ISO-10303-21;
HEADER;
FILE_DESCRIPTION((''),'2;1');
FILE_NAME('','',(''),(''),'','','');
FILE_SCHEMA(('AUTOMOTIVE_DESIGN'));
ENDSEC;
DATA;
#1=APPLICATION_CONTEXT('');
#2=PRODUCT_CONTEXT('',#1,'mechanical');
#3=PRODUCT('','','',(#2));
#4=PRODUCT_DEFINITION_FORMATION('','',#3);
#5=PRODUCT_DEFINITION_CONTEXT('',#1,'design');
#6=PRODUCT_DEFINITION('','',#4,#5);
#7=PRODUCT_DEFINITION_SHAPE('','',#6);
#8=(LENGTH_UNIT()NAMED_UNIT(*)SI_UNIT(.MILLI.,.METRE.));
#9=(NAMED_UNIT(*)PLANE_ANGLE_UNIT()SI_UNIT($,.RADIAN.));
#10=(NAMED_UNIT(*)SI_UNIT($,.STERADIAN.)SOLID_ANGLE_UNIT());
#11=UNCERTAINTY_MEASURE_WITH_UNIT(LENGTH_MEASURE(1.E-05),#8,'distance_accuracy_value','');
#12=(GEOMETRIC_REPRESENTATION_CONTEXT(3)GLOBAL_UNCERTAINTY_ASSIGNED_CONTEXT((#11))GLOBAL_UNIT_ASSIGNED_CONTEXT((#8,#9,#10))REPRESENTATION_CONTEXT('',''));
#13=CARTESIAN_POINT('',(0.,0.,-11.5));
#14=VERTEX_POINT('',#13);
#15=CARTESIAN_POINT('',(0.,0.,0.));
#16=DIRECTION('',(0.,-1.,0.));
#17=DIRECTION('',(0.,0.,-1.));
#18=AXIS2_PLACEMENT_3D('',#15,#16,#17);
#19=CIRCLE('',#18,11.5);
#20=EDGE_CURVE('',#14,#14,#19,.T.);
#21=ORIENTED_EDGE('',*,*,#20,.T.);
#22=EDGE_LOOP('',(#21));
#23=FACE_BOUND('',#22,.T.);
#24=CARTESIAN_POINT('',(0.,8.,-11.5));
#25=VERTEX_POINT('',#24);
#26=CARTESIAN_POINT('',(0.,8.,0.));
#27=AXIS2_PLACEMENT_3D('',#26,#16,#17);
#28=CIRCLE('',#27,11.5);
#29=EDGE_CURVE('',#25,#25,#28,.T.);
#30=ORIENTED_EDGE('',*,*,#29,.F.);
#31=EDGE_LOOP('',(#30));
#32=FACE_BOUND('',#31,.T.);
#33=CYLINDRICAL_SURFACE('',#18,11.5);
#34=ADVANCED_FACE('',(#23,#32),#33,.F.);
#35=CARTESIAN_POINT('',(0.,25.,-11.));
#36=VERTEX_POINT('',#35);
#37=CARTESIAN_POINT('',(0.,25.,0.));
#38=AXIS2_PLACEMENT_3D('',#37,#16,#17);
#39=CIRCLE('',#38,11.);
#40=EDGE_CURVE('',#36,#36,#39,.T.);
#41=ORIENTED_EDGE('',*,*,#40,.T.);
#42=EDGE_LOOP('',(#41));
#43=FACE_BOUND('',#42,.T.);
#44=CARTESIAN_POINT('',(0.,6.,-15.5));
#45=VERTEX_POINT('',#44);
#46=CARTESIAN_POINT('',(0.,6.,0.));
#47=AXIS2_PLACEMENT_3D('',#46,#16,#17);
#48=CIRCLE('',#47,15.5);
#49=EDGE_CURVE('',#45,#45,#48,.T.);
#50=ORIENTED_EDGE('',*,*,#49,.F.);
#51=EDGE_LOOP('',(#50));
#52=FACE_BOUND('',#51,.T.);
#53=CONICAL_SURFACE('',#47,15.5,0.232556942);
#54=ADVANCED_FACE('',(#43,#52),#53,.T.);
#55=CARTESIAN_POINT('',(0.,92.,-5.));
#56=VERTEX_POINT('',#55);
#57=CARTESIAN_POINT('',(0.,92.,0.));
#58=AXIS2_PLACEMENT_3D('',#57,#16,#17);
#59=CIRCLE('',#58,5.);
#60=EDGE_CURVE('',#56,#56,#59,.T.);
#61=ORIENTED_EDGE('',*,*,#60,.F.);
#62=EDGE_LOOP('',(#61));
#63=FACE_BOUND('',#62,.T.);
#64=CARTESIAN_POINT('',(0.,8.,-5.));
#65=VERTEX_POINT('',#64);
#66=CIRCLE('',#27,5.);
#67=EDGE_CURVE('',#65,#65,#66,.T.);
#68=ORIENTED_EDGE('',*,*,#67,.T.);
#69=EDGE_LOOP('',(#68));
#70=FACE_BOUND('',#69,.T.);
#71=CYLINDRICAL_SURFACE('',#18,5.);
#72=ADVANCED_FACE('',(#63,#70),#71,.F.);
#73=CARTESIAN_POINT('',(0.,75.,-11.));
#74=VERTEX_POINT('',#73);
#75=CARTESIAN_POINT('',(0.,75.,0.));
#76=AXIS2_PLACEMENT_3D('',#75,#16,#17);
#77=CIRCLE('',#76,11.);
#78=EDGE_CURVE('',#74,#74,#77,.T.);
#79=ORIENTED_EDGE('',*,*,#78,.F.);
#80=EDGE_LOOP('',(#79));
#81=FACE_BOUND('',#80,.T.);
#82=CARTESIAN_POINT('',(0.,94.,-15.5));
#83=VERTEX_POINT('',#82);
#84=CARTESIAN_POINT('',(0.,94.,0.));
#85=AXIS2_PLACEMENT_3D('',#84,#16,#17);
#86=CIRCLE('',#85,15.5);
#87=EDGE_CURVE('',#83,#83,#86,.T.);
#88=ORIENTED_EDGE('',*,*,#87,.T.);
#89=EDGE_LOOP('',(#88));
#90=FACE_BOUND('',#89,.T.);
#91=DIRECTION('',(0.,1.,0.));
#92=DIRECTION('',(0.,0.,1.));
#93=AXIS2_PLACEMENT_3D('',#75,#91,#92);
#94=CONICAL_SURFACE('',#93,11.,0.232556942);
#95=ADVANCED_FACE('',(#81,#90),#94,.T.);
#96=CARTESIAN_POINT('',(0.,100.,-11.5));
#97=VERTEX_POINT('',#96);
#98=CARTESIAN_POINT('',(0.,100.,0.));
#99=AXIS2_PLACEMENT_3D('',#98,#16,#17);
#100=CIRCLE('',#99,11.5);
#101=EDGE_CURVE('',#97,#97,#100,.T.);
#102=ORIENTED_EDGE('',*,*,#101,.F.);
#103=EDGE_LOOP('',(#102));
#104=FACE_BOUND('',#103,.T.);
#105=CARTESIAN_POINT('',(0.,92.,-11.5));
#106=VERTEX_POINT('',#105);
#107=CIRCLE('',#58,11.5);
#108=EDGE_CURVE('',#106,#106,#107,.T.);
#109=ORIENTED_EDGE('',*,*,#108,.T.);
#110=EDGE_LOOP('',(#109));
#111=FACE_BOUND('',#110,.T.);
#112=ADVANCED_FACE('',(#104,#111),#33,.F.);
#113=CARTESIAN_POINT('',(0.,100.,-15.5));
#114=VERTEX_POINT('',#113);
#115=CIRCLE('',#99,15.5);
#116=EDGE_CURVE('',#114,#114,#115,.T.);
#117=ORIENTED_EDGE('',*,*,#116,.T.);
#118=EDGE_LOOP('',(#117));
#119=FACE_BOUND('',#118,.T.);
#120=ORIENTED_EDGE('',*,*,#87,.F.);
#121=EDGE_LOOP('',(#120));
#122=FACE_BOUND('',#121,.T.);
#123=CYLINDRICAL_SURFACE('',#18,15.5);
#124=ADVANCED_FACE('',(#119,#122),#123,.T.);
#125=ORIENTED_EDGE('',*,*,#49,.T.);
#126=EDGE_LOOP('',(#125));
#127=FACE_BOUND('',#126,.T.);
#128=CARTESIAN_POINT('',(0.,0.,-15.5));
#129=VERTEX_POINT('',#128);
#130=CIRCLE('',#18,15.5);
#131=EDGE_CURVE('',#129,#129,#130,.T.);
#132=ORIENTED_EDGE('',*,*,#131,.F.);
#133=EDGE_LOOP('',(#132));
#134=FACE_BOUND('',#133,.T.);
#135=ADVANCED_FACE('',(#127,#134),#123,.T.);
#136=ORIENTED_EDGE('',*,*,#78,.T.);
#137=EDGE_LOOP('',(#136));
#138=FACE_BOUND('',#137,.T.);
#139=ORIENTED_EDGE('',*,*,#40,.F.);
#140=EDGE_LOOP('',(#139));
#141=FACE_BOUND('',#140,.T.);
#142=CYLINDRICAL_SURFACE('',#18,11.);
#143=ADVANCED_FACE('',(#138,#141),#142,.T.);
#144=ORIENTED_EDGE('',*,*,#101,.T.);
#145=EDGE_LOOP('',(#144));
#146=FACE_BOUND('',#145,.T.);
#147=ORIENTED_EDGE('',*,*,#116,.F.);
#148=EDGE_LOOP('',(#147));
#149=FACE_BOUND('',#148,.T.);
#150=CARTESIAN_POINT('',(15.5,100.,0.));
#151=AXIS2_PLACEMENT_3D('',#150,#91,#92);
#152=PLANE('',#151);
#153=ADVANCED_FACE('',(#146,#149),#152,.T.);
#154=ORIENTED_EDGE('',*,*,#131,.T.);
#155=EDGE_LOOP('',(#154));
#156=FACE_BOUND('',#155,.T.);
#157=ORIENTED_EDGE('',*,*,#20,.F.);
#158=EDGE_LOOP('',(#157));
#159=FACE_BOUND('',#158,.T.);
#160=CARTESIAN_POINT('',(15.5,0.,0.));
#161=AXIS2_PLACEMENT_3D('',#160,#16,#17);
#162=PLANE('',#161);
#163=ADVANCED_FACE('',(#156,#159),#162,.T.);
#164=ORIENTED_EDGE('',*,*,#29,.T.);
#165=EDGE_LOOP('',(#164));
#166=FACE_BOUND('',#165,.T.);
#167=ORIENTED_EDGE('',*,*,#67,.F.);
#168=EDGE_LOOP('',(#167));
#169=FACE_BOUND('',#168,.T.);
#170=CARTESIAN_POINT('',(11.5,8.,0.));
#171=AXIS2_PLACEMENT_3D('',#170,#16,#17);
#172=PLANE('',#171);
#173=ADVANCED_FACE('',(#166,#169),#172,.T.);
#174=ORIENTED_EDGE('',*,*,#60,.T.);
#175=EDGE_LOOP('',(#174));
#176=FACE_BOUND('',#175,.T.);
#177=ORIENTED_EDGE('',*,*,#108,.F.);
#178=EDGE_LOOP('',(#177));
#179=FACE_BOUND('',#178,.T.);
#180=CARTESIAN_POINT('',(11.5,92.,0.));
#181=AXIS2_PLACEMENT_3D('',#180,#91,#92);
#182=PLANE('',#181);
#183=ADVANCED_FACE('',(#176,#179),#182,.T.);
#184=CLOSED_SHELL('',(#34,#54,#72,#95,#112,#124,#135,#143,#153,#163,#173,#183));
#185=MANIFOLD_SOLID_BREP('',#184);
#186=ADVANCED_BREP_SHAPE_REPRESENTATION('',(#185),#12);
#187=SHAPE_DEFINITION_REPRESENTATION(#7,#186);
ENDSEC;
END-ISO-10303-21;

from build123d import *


with BuildPart() as part:
    # Esboço1 → Revolução1 (revolve)
    with BuildSketch(Plane.XY):
        Polygon((11, 25), (15.5, 6), (15.5, 0), (11.5, 0), (11.5, 8), (5, 8), (5, 92), (11.5, 92), (11.5, 100), (15.5, 100), (15.5, 94), (11, 75), align=None)
    revolve(axis=Axis((0, 0, 0), (0, 1, 0)))


solid = part.part
